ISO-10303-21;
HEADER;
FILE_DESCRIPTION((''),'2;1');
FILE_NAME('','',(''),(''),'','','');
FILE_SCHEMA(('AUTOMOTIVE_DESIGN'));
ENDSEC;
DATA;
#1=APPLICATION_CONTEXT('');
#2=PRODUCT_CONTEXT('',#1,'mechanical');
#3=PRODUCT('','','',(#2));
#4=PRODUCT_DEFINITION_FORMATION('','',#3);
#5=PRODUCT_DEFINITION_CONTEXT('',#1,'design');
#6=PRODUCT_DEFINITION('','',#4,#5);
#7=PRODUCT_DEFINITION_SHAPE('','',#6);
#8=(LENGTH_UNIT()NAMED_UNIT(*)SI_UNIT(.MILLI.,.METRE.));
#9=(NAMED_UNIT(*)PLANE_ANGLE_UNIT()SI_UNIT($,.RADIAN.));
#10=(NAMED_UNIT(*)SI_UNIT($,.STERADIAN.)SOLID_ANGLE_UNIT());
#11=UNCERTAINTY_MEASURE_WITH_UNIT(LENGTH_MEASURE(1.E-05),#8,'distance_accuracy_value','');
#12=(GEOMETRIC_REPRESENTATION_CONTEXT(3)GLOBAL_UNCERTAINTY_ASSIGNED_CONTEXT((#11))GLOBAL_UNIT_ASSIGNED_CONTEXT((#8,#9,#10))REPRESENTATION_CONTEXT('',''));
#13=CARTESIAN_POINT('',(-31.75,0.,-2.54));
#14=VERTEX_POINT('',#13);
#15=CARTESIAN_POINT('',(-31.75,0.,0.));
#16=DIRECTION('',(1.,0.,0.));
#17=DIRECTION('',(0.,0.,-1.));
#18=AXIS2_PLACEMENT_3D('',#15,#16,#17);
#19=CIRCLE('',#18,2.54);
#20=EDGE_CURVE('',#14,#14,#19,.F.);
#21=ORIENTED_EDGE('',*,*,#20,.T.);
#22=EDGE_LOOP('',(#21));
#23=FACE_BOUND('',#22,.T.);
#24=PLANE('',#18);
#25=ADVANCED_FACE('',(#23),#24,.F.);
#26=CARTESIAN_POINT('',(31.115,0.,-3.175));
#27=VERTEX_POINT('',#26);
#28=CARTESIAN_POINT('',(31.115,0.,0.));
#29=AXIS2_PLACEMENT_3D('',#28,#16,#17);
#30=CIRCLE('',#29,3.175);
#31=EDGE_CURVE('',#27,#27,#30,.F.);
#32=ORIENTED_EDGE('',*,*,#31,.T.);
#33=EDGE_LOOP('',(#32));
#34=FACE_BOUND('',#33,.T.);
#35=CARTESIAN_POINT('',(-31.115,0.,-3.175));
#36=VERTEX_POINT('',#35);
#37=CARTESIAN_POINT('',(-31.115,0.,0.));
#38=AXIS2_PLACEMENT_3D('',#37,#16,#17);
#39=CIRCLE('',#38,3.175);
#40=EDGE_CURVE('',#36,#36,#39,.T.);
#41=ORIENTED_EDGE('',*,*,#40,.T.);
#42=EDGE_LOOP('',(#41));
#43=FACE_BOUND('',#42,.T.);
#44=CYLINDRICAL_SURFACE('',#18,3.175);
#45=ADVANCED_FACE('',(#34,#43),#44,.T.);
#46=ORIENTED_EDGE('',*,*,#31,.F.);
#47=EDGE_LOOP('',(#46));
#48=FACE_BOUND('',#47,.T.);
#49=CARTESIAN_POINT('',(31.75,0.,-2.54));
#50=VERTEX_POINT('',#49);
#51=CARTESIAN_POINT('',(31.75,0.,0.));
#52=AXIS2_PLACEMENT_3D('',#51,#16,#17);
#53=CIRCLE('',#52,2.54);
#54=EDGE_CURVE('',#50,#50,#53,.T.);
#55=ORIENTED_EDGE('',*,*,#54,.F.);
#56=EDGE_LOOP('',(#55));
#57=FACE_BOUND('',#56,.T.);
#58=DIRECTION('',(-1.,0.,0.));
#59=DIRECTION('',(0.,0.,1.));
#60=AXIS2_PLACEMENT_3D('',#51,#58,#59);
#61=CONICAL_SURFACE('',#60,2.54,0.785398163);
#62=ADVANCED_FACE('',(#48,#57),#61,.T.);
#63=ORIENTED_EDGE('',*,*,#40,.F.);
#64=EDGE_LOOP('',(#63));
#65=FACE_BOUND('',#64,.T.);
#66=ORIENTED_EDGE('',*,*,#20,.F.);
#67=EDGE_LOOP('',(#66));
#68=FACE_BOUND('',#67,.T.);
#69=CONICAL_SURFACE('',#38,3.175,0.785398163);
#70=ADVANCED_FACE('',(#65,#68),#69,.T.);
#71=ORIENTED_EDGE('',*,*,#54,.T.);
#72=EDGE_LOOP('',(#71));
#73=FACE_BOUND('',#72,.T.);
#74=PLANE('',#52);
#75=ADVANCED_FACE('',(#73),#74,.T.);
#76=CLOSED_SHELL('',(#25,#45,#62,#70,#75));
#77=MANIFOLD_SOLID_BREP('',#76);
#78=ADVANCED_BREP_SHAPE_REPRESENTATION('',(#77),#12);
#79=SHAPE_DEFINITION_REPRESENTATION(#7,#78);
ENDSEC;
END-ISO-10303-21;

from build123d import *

# Parameters (mm, degrees)
SKETCH2_R           = 3.175
EXTRUDE1_DEPTH      = 31.75
EXTRUDE1_DEPTH_BACK = 31.75
CHAMFER1_SIZE       = 0.635


with BuildPart() as part:
    # Sketch2 → Extrude1 (new body, two sides)
    with BuildSketch(Plane(origin=(0, 0, 0), x_dir=(0, 0, -1), z_dir=(1, 0, 0))) as extrude1_sk:
        Circle(SKETCH2_R)
    extrude(amount=EXTRUDE1_DEPTH)
    extrude(extrude1_sk.sketch, amount=-EXTRUDE1_DEPTH_BACK)

    # Chamfer1
    chamfer1_edges = [part.edges().sort_by_distance(p)[0] for p in [
        (-31.75, 0, 3.175),
        (31.75, 0, 3.175),
    ]]
    chamfer(chamfer1_edges, length=CHAMFER1_SIZE)


solid = part.part
